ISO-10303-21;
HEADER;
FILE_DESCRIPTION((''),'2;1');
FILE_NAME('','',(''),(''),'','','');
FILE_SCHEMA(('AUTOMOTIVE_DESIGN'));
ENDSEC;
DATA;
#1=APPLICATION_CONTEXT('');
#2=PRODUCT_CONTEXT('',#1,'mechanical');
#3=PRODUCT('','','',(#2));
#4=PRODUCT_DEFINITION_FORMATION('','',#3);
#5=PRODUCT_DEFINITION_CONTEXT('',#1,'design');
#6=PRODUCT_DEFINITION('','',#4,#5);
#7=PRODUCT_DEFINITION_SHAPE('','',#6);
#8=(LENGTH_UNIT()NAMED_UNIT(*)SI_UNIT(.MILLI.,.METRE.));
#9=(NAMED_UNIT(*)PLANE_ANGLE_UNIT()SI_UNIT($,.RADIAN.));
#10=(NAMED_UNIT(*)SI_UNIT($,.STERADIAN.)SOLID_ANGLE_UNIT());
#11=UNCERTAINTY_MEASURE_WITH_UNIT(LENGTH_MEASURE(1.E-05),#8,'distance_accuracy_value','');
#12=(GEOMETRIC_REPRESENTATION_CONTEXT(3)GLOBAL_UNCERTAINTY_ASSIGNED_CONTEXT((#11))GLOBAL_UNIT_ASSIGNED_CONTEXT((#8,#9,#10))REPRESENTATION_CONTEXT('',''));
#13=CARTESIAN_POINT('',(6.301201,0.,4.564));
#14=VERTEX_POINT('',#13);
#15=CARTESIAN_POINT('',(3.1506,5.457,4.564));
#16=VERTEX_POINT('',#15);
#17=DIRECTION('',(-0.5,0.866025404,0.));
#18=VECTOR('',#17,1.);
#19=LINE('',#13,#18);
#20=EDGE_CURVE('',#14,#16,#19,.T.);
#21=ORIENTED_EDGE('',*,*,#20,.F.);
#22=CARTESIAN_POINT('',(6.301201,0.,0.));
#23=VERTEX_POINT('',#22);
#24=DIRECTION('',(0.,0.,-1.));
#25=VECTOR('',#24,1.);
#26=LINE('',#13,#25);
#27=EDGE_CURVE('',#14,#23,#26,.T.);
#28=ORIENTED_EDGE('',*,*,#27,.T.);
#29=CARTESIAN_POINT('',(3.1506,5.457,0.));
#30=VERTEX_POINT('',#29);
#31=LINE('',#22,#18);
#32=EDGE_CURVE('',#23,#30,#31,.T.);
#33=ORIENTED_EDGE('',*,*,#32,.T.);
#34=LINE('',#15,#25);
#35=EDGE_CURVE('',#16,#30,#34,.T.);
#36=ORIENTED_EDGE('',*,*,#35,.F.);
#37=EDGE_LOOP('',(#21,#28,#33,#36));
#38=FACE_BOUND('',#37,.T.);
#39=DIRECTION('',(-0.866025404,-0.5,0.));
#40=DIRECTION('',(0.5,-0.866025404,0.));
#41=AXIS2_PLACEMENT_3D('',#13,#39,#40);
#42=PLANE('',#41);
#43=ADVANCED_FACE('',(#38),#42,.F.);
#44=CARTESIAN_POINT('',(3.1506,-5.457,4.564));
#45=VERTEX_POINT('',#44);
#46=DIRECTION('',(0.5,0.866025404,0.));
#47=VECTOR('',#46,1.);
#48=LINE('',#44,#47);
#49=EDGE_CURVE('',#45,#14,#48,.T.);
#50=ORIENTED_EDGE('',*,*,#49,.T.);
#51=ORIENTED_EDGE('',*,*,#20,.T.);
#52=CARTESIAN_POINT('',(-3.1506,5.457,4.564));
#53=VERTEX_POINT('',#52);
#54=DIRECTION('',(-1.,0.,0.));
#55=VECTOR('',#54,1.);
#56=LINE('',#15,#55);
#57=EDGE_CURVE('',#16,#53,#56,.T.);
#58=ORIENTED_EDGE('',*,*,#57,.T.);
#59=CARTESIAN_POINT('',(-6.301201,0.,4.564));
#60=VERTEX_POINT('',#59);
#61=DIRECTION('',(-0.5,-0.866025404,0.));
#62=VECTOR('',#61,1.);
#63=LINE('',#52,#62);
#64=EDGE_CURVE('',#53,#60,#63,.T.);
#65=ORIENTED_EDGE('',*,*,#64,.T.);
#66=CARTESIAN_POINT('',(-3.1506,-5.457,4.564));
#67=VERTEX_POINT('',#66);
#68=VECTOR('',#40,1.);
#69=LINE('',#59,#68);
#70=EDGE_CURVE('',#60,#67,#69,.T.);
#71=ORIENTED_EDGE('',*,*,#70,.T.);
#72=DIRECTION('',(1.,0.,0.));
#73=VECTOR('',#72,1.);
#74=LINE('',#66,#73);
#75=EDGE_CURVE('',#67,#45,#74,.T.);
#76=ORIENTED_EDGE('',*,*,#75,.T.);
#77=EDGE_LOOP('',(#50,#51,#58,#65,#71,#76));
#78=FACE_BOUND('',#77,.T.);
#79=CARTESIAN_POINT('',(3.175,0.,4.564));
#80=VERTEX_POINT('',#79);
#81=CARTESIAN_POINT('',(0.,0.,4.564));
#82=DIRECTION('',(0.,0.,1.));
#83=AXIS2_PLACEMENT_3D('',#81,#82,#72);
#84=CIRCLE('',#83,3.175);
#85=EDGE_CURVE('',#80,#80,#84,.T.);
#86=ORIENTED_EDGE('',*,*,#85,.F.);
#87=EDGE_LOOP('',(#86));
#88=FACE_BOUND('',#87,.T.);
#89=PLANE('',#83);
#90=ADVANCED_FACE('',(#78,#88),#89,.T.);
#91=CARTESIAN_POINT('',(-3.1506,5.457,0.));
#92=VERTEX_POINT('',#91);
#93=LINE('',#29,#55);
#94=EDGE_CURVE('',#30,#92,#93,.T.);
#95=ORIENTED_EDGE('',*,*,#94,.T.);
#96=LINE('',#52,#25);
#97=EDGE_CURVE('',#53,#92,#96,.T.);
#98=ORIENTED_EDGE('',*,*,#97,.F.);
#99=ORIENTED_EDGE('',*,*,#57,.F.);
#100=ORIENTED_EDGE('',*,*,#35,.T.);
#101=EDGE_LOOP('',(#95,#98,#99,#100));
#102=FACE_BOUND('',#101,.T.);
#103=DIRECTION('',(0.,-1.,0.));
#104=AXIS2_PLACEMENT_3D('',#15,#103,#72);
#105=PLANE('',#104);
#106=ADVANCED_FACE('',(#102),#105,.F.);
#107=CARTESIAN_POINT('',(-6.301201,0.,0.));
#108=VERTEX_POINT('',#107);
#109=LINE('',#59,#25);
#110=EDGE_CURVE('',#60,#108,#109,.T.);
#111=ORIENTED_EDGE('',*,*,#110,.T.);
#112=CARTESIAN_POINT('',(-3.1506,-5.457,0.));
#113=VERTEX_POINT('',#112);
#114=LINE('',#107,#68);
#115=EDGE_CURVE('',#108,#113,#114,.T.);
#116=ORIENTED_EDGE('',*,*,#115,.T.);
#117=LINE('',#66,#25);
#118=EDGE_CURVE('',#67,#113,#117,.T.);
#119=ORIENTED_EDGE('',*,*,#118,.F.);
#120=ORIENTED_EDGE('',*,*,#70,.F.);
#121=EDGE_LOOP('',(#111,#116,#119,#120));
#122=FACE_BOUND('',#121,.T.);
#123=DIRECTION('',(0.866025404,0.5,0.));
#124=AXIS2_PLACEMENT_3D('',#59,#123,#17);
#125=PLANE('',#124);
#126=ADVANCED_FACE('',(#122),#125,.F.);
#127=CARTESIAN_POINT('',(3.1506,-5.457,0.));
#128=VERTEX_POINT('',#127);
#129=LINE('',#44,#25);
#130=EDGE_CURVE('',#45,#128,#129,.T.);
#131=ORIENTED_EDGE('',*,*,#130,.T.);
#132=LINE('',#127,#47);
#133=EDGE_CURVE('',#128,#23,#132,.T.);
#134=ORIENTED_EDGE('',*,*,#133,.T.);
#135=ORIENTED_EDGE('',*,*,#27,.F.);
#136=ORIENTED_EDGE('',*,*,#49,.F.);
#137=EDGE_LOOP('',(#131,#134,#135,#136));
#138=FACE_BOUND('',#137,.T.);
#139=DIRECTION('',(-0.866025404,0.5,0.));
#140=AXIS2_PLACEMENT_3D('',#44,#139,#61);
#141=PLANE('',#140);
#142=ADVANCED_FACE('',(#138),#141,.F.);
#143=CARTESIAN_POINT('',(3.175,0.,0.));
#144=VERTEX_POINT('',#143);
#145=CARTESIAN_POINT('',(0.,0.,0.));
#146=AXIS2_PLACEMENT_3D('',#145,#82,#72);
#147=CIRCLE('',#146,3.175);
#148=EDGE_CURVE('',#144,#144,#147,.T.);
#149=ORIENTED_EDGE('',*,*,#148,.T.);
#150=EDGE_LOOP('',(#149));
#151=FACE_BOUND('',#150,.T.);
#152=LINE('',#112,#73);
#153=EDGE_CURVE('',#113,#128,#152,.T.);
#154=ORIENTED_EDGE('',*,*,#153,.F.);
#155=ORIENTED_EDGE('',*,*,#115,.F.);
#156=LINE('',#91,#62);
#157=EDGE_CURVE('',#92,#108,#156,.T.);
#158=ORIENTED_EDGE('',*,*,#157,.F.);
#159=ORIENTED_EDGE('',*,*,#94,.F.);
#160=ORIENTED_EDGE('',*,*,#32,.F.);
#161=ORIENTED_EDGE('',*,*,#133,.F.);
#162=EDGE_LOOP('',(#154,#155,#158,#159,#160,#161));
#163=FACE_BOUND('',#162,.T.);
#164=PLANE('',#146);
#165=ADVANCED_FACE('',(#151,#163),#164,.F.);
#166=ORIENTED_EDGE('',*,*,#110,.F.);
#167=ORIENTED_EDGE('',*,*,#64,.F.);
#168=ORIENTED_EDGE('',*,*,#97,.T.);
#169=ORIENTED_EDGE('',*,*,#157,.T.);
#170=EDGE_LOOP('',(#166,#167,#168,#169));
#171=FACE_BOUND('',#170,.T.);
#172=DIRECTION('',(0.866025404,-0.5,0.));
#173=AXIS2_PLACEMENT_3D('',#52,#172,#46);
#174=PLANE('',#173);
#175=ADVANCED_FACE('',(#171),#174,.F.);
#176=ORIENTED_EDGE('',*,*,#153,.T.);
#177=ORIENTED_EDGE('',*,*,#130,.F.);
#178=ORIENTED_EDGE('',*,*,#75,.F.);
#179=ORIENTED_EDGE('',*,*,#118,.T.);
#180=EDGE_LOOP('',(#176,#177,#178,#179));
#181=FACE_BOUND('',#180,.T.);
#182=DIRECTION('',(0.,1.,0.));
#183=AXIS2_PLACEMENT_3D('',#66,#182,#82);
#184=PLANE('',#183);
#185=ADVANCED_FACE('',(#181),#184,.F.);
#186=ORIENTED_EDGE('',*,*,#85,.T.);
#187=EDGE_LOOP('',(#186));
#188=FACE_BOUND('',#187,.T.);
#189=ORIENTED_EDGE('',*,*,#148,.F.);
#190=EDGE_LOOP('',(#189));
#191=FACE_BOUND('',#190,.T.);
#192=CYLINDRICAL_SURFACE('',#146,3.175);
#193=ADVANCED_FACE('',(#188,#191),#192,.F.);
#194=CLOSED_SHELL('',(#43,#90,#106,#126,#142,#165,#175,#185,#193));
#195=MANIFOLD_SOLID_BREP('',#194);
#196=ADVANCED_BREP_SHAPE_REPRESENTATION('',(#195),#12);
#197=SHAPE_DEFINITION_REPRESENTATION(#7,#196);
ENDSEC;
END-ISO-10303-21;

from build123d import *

# Parameters (mm, degrees)
BOSS_EXTRUDE1_DEPTH = 4.564
SKETCH2_R           = 3.175
CUT_EXTRUDE1_DEPTH  = 4.564


with BuildPart() as part:
    # Sketch1 → Boss-Extrude1 (new body)
    with BuildSketch(Plane.XY):
        Polygon((6.301200838, 0), (3.150600419, 5.457), (-3.150600419, 5.457), (-6.301200838, 0), (-3.150600419, -5.457), (3.150600419, -5.457), align=None)
    extrude(amount=BOSS_EXTRUDE1_DEPTH)

    # Sketch2 → Cut-Extrude1 (cut)
    with BuildSketch(Plane.XY.offset(4.564)):
        Circle(SKETCH2_R)
    extrude(amount=-CUT_EXTRUDE1_DEPTH, mode=Mode.SUBTRACT)


solid = part.part
